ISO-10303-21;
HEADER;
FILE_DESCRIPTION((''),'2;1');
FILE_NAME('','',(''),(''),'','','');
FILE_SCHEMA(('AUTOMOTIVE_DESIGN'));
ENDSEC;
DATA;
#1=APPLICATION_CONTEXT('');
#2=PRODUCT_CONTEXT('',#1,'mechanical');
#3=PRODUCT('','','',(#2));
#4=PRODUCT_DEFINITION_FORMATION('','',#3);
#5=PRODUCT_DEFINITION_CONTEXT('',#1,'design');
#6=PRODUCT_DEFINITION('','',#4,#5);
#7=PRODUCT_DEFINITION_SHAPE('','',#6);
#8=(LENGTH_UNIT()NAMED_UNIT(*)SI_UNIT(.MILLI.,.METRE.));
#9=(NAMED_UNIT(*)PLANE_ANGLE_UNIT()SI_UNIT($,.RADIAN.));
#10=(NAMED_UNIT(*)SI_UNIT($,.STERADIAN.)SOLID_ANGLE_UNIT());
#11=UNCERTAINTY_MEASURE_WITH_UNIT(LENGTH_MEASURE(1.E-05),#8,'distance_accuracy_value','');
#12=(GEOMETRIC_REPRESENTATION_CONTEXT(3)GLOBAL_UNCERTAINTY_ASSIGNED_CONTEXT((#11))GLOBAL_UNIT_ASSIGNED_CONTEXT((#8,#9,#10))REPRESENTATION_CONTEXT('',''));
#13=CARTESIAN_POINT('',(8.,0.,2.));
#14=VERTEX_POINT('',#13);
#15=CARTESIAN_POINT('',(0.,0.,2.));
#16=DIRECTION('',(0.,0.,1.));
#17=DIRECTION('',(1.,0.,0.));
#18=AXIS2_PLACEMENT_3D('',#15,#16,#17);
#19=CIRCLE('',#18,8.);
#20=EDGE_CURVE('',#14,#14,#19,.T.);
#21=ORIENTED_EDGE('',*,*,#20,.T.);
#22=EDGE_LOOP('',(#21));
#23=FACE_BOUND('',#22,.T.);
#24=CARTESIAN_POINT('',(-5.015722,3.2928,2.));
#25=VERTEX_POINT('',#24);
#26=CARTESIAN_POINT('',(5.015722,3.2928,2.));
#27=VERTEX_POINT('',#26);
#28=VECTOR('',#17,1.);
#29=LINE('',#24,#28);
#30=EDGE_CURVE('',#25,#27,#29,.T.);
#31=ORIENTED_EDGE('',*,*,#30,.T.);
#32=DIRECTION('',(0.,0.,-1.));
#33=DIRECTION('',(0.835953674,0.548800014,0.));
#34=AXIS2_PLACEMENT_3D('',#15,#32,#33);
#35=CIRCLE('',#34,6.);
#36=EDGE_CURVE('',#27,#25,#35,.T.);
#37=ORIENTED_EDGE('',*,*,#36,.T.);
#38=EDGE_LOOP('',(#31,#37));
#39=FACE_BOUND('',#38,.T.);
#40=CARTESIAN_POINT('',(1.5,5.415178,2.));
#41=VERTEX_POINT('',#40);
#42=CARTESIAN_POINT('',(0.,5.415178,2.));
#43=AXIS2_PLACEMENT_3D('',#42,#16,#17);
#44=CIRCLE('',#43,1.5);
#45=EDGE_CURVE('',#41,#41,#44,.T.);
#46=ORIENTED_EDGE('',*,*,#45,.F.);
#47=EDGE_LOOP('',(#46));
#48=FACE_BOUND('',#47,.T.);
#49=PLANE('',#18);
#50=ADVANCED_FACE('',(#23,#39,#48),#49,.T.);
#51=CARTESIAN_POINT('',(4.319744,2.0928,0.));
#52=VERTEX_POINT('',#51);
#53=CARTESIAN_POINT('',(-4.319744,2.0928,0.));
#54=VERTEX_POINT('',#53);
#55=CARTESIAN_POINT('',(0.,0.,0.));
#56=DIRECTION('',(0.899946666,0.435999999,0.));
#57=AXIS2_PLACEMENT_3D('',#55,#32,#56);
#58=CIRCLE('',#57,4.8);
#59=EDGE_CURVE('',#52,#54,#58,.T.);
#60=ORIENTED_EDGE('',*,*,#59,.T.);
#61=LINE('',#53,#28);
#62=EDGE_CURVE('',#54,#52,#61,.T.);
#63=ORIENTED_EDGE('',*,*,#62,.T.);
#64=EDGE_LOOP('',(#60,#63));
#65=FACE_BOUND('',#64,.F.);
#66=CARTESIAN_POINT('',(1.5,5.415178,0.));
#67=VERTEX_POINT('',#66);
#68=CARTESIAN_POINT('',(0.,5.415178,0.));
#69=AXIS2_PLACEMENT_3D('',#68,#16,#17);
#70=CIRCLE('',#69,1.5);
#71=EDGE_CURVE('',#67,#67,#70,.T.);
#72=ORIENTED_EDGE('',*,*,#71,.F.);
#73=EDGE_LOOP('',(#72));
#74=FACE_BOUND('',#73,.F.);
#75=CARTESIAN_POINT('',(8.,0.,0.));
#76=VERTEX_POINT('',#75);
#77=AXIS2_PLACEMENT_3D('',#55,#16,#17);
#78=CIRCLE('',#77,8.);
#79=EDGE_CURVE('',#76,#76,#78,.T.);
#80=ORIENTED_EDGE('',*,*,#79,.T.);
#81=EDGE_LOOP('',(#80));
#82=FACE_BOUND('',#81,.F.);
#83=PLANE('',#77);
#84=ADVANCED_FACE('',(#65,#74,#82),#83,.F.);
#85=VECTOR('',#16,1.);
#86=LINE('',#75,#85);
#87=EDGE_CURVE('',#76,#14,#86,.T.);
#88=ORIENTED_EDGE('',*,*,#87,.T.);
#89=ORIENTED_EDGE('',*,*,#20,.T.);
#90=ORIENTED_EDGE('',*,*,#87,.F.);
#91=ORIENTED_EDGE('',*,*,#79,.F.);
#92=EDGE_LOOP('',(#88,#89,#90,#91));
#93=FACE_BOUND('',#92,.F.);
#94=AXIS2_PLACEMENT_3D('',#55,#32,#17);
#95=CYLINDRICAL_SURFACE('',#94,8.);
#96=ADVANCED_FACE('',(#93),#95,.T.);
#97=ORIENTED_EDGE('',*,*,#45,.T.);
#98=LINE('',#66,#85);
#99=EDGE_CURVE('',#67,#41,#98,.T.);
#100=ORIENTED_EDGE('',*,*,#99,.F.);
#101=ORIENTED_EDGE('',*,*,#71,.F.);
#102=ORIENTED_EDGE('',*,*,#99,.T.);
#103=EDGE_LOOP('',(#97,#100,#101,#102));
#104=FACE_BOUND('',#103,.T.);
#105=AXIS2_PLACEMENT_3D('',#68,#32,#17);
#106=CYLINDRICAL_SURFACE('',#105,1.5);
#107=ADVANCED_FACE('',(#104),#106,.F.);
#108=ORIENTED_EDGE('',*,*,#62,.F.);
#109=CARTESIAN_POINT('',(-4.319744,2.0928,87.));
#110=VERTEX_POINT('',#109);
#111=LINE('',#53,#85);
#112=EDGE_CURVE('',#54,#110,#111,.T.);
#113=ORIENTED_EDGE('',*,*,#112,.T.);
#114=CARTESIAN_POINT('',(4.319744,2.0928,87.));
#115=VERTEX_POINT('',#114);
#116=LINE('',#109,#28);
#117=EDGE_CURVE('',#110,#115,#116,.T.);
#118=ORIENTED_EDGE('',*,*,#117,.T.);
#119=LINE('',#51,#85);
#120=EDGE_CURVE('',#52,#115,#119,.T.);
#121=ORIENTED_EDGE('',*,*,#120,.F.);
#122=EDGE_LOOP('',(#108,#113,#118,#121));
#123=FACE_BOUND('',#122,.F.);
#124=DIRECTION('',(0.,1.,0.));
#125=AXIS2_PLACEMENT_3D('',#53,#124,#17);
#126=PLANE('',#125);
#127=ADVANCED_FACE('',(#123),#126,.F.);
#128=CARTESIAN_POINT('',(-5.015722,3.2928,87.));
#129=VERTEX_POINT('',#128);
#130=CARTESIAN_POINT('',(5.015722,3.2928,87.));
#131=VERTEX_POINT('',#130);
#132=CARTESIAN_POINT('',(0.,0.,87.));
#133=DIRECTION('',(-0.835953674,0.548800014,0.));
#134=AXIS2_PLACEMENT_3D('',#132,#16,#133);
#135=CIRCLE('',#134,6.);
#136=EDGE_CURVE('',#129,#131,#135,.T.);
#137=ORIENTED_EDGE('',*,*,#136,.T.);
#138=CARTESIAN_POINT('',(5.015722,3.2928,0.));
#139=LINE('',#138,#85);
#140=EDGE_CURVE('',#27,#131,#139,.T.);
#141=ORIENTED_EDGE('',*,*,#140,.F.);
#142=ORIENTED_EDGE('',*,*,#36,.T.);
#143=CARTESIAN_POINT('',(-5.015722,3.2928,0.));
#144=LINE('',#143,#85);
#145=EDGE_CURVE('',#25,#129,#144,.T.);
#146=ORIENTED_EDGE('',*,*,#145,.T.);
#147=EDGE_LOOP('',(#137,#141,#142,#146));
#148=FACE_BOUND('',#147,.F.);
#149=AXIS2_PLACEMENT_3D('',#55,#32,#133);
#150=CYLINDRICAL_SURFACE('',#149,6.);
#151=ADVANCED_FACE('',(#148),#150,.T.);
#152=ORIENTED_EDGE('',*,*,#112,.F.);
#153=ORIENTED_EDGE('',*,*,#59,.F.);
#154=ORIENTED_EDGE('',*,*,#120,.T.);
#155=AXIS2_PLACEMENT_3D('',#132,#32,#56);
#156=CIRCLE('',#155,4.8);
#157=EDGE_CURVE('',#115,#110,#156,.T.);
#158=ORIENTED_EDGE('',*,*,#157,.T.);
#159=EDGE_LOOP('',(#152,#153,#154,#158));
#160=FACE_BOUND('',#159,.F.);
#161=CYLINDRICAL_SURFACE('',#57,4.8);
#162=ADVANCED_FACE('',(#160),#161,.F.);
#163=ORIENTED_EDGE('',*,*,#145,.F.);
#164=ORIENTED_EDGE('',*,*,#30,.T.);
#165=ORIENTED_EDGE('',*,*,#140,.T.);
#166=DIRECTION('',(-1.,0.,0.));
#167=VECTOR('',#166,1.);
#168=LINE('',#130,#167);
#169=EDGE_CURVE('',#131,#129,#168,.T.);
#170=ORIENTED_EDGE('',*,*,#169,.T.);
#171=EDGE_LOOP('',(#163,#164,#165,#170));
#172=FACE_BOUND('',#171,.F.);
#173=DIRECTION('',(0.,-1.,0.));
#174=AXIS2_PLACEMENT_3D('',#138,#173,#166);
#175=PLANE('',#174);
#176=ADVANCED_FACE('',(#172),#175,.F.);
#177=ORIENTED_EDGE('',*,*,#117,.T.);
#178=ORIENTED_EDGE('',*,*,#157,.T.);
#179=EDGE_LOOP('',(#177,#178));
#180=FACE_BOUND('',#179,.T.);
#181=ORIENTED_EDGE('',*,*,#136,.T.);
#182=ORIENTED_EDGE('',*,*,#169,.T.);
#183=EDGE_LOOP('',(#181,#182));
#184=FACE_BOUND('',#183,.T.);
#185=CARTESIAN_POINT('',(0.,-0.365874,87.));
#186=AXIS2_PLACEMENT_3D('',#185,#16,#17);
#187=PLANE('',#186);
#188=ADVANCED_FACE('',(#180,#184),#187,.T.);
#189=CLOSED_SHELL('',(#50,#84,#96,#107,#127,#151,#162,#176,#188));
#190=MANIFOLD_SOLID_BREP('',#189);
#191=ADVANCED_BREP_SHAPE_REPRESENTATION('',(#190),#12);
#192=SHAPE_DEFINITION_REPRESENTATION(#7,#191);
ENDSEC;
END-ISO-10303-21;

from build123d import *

# Parameters (mm, degrees)
F1_DEPTH = 87
F0_R     = 8
F0_R_2   = 1.5
F2_DEPTH = 2


with BuildPart() as f1:
    # F0 (on Top) → F1 (new body)
    with BuildSketch(Plane.XY):
        with BuildLine():
            Line((5.015722, 3.2928), (-5.015722, 3.2928))
            ThreePointArc((-5.015722, 3.2928), (0, -6), (5.015722, 3.2928))
        make_face()
        with BuildLine():
            ThreePointArc((4.319744, 2.0928), (0, -4.8), (-4.319744, 2.0928))
            Line((-4.319744, 2.0928), (4.319744, 2.0928))
        make_face(mode=Mode.SUBTRACT)
    extrude(amount=F1_DEPTH)

    # F0 (on Top) → F2 (join)
    with BuildSketch(Plane.XY):
        Circle(F0_R)
        with BuildLine():
            ThreePointArc((5.015722, 3.2928), (0, -6), (-5.015722, 3.2928))
            Line((-5.015722, 3.2928), (5.015722, 3.2928))
        make_face(mode=Mode.SUBTRACT)
        with Locations((0, 5.415178)):
            Circle(F0_R_2, mode=Mode.SUBTRACT)
    extrude(amount=F2_DEPTH)


solid = f1.part
